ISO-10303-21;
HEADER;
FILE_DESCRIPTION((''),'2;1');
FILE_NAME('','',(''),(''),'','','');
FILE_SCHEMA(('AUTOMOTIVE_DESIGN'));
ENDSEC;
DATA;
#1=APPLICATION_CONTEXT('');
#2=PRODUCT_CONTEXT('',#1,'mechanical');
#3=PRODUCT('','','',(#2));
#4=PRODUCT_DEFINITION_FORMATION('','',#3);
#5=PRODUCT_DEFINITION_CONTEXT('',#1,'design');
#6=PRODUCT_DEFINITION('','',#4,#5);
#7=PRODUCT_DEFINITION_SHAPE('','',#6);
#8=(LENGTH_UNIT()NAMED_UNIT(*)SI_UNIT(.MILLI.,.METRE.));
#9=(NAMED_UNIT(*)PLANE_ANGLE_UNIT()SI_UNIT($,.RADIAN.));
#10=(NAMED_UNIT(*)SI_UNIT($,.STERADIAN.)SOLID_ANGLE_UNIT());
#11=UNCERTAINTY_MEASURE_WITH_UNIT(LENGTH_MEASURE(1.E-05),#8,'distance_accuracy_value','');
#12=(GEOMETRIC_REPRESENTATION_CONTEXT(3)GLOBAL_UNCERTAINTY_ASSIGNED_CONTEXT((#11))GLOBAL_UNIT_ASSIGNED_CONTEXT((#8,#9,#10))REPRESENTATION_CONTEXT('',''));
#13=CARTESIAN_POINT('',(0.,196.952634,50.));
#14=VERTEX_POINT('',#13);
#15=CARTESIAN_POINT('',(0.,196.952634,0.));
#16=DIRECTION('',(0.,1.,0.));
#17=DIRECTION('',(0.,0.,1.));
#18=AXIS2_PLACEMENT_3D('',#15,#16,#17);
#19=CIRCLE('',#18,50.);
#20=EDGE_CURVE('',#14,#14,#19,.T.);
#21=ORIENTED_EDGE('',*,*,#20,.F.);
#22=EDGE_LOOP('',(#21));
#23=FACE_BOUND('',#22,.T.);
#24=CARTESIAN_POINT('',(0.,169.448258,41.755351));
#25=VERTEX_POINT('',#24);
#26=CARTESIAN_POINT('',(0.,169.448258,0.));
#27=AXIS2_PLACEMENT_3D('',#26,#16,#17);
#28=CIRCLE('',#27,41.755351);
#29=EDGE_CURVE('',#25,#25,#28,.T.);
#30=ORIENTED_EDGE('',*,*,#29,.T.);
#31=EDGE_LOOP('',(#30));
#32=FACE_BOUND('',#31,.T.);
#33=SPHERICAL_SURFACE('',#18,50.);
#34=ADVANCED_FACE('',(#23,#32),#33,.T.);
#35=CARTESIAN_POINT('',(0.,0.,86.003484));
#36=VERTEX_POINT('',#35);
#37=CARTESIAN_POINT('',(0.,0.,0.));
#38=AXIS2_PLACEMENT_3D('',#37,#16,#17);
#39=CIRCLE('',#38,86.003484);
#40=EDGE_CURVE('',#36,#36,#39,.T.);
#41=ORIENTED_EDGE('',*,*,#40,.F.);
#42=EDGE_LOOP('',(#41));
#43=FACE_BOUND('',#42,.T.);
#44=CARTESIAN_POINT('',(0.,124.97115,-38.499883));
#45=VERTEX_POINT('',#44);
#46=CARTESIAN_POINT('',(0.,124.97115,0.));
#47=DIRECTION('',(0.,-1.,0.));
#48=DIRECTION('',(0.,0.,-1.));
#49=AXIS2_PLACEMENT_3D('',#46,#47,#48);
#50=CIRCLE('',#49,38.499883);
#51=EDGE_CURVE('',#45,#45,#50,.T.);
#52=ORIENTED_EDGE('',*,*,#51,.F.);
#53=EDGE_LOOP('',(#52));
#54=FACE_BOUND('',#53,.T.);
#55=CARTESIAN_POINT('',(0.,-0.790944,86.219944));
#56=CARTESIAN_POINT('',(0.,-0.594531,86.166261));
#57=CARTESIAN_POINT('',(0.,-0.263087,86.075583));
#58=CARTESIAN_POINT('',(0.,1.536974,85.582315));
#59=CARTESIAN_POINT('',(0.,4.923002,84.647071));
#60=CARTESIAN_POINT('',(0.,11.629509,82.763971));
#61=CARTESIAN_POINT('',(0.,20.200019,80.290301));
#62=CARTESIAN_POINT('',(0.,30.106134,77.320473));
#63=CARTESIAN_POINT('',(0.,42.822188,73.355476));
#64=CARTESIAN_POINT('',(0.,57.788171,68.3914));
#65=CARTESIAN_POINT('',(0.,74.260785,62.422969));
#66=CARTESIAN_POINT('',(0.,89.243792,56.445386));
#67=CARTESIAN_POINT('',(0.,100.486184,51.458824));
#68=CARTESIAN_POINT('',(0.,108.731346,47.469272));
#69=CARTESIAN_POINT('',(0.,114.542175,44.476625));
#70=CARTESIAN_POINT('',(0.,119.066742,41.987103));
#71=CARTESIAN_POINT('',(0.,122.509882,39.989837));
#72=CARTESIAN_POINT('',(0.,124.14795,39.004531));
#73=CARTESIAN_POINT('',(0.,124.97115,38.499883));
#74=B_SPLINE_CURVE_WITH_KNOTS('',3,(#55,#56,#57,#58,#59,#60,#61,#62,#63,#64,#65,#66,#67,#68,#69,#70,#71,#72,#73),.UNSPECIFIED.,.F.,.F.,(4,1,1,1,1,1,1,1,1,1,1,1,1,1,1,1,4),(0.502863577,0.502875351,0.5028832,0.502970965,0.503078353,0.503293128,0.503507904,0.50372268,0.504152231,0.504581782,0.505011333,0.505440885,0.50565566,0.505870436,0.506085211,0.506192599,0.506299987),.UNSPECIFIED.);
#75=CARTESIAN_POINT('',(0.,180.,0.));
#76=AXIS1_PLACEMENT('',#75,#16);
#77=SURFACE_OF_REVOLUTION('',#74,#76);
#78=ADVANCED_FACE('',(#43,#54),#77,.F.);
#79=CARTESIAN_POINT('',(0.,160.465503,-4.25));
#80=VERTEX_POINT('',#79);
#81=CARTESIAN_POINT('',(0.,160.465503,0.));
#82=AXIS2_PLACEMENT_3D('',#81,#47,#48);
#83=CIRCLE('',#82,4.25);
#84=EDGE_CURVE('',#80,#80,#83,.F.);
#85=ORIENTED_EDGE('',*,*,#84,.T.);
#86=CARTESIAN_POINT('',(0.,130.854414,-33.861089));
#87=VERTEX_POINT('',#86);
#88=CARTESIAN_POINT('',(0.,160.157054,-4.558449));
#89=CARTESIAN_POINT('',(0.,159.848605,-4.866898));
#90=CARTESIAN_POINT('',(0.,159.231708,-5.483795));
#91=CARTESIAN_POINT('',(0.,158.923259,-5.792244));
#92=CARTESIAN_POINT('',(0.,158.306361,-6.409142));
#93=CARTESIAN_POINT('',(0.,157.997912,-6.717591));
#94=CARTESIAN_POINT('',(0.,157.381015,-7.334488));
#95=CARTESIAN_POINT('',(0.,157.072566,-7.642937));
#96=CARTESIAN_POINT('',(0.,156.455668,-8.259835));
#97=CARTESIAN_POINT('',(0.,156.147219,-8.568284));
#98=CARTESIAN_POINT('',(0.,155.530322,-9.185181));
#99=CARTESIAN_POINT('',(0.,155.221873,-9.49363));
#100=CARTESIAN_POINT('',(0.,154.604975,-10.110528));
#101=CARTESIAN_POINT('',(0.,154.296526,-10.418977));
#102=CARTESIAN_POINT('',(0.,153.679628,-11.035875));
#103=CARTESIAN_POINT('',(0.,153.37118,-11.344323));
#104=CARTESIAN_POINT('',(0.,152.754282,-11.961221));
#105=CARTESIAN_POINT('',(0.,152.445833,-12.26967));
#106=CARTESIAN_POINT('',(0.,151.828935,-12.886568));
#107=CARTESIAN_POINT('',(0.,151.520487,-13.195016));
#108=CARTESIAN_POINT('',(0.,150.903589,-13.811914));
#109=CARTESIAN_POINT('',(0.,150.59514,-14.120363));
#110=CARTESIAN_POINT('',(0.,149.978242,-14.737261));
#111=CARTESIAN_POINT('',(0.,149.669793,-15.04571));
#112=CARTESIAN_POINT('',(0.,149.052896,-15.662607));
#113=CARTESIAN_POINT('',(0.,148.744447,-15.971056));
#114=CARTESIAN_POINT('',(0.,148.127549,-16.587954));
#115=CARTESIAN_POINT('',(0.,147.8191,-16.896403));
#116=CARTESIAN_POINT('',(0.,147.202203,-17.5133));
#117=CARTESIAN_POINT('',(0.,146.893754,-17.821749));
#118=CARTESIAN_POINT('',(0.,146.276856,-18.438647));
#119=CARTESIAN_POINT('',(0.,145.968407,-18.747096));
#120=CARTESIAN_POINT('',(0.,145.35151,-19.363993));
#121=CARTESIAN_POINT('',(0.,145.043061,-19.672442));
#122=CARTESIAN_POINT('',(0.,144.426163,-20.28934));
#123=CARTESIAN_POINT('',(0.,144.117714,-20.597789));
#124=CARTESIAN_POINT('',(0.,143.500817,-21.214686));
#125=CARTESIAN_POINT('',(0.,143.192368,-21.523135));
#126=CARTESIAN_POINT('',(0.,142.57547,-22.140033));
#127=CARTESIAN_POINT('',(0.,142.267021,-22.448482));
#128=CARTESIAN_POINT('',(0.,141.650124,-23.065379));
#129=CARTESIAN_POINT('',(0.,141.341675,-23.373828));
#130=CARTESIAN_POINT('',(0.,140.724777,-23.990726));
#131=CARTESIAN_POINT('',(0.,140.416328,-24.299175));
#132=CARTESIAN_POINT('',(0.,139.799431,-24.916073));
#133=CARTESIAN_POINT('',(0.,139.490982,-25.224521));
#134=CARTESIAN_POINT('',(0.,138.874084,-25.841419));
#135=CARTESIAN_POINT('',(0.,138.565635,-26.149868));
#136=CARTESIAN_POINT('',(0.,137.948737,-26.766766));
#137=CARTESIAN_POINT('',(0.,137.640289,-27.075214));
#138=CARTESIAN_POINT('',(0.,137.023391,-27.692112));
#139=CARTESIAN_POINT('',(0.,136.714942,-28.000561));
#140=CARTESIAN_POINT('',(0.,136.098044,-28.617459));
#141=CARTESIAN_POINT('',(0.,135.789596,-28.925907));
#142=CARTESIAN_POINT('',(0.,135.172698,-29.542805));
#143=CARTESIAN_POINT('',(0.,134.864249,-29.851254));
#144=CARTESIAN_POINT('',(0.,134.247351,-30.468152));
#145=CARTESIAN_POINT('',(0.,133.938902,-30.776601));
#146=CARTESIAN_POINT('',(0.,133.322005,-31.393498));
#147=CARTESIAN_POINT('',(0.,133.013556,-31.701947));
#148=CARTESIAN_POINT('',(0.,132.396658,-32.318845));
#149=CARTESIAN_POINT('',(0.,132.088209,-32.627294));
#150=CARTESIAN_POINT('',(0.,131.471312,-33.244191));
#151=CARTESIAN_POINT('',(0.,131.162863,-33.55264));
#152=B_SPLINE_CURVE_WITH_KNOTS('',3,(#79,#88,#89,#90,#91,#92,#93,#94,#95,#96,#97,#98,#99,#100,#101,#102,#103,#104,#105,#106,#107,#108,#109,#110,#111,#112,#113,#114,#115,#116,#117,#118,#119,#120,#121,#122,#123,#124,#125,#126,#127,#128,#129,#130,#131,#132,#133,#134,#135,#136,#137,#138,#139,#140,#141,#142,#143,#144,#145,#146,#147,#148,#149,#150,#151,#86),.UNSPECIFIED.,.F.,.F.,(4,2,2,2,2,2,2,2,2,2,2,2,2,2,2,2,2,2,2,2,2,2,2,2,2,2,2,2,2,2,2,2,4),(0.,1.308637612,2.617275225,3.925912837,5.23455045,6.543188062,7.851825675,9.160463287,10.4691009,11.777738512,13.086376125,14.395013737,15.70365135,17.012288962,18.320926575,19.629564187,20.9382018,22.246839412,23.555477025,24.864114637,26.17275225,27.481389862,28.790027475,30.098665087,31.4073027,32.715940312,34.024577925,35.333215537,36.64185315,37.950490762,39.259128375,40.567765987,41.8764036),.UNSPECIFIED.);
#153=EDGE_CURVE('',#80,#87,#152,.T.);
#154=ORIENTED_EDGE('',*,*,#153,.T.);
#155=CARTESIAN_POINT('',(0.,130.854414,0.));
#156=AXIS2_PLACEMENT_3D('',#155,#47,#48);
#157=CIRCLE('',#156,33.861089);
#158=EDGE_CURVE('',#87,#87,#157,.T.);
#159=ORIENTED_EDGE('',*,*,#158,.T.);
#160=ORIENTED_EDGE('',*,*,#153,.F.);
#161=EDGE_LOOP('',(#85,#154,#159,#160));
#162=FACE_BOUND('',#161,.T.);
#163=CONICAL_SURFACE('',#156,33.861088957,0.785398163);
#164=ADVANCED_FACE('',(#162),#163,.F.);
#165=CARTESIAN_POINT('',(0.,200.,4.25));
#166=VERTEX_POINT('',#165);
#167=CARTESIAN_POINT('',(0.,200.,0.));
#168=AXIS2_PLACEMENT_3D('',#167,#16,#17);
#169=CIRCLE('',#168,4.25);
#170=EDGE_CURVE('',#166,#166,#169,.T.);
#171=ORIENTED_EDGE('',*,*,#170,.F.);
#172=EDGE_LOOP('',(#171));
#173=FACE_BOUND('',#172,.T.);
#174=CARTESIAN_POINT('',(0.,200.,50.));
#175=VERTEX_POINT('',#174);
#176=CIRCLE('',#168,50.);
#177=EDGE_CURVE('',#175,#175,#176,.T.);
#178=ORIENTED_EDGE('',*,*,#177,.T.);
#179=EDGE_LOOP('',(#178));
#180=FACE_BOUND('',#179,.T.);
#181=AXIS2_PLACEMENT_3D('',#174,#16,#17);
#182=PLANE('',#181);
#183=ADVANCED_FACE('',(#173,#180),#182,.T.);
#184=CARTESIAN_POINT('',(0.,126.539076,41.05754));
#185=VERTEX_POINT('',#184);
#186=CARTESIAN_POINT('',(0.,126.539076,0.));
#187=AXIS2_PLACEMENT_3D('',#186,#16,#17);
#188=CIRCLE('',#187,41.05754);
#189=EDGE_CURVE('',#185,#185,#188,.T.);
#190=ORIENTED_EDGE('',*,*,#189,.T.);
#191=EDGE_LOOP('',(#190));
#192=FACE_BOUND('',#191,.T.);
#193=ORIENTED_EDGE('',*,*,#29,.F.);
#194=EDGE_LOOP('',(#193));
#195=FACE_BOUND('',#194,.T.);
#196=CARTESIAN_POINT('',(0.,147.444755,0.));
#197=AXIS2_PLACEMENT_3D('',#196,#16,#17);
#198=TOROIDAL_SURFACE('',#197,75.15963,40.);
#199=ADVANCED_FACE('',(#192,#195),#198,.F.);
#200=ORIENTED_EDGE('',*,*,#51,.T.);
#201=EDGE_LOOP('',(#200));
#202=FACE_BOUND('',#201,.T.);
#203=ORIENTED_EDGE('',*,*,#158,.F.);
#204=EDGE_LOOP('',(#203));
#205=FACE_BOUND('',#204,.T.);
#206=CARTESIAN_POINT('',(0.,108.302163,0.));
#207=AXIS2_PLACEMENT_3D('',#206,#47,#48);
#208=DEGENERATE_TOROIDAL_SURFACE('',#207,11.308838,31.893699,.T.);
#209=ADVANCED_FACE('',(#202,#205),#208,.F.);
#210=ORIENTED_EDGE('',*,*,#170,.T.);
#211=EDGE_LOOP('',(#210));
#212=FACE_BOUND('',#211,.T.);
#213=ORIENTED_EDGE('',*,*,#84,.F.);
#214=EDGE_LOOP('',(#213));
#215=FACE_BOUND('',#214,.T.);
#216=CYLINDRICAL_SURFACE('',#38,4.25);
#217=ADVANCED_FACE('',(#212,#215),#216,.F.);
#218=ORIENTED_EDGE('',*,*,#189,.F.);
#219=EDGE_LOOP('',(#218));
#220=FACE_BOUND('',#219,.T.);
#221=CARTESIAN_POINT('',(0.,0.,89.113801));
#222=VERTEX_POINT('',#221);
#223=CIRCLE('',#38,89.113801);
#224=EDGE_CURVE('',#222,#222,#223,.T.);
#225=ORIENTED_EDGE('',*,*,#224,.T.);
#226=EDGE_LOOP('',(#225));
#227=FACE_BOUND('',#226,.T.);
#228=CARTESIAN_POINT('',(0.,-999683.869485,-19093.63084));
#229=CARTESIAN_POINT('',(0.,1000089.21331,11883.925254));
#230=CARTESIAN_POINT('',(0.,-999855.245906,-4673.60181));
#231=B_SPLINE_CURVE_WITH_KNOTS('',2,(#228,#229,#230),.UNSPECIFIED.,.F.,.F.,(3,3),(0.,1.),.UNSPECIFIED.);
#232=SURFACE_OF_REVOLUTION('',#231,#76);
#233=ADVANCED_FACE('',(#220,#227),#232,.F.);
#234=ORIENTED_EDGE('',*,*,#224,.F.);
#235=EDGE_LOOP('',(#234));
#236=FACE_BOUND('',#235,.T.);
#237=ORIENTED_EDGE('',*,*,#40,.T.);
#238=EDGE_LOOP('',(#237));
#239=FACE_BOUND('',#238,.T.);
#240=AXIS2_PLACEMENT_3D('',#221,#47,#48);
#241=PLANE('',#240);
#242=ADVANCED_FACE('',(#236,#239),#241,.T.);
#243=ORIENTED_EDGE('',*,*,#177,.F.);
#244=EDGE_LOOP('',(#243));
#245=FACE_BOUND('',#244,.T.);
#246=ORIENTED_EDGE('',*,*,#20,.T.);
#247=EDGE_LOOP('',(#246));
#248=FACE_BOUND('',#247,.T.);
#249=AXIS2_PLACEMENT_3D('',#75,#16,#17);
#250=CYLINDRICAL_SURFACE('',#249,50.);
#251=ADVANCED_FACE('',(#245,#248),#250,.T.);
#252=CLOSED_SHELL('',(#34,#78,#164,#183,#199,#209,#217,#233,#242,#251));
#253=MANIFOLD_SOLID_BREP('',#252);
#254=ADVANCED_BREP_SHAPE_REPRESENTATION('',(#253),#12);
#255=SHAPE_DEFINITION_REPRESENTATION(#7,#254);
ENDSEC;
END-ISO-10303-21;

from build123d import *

# Parameters (mm, degrees)
SKETCH6_R          = 4.25
CUT_EXTRUDE1_DEPTH = 237.394879975


with BuildPart() as part:
    # Sketch2 → Revolve1 (revolve)
    with BuildSketch(Plane(origin=(0, 0, 0), x_dir=(0, 0, -1), z_dir=(1, 0, 0))):
        with BuildLine():
            Line((-47, 200), (-47, 196.952633809))
            ThreePointArc((-47, 196.952633809), (-45.020836212, 183.457289916), (-39.250029499, 171.098520319))
            ThreePointArc((-39.250029499, 171.098520319), (-32.165314943, 148.143950557), (-38.499883067, 124.971149691))
            add(Edge.make_bspline(
                [(-38.499883067, 124.971149691), (-39.004530717, 124.147950453), (-39.989837427, 122.509882381), (-41.987103434, 119.066741734), (-44.476625137, 114.542174666), (-47.469272443, 108.73134572), (-51.458823728, 100.486184281), (-56.445386005, 89.243791761), (-62.422969316, 74.260784727), (-68.39139954, 57.78817126), (-73.355476081, 42.822187789), (-77.320473203, 30.10613441), (-80.290300516, 20.200019419), (-82.763970951, 11.629508828), (-84.647070901, 4.923001543), (-85.564233648, 1.602436154), (-85.985445094, 0.065829354), (-86.003484285, -2.71e-07)],
                knots=[0.502863577, 0.502863577, 0.502863577, 0.502863577, 0.502970965, 0.503078353, 0.503293128, 0.503507904, 0.50372268, 0.504152231, 0.504581782, 0.505011333, 0.505440885, 0.50565566, 0.505870436, 0.506085211, 0.506192599, 0.506280364, 0.506284289, 0.506284289, 0.506284289, 0.506284289], degree=3))
            Line((-86.003484285, -2.71e-07), (-89.113801103, 0))
            add(Edge.make_bspline(
                [(-41.057539829, 126.539075674), (-65.366339288, 86.885695354), (-89.113801103, 0)],
                knots=[0, 0, 0, 1, 1, 1], degree=2))
            ThreePointArc((-41.057539829, 126.539075674), (-35.16491832, 148.095169564), (-41.755350531, 169.448257756))
            ThreePointArc((-41.755350531, 169.448257756), (-47.894506608, 182.595884987), (-50, 196.952633809))
            Line((-50, 196.952633809), (-50, 200))
            Line((-50, 200), (-47, 200))
        make_face()
    revolve(axis=Axis((0, 180, 0), (0, -1, 0)))

    # Sketch5 → Revolve2 (revolve)
    with BuildSketch(Plane(origin=(0, 0, 0), x_dir=(0, 0, -1), z_dir=(1, 0, 0)), mode=Mode.PRIVATE) as revolve2_sk:
        with BuildLine():
            Line((-33.861088957, 130.854414053), (-3, 161.71550301))
            Line((-3, 161.71550301), (0, 161.71550301))
            Line((0, 161.71550301), (0, 200))
            Line((0, 200), (-47, 200))
            Line((-47, 200), (-47, 196.952633809))
            ThreePointArc((-47, 196.952633809), (-45.020836212, 183.457289916), (-39.250029499, 171.098520319))
            ThreePointArc((-39.250029499, 171.098520319), (-32.165314943, 148.143950557), (-38.499883067, 124.971149691))
            ThreePointArc((-38.499883067, 124.971149691), (-36.353838994, 128.049465988), (-33.861088957, 130.854414053))
        make_face()
    revolve(revolve2_sk.sketch.rotate(Axis((0, -1000, 0), (0, 1, 0)), 180), axis=Axis((0, -1000, 0), (0, 1, 0)))

    # Sketch6 → Cut-Extrude1 (cut, through all)
    with BuildSketch(Plane(origin=(0, 200, 0), x_dir=(1, 0, 0), z_dir=(0, 1, 0))):
        with Locations(Location((0, 0, 0), (0, 0, 270))):
            Circle(SKETCH6_R)
    extrude(amount=-CUT_EXTRUDE1_DEPTH, mode=Mode.SUBTRACT)


solid = part.part
